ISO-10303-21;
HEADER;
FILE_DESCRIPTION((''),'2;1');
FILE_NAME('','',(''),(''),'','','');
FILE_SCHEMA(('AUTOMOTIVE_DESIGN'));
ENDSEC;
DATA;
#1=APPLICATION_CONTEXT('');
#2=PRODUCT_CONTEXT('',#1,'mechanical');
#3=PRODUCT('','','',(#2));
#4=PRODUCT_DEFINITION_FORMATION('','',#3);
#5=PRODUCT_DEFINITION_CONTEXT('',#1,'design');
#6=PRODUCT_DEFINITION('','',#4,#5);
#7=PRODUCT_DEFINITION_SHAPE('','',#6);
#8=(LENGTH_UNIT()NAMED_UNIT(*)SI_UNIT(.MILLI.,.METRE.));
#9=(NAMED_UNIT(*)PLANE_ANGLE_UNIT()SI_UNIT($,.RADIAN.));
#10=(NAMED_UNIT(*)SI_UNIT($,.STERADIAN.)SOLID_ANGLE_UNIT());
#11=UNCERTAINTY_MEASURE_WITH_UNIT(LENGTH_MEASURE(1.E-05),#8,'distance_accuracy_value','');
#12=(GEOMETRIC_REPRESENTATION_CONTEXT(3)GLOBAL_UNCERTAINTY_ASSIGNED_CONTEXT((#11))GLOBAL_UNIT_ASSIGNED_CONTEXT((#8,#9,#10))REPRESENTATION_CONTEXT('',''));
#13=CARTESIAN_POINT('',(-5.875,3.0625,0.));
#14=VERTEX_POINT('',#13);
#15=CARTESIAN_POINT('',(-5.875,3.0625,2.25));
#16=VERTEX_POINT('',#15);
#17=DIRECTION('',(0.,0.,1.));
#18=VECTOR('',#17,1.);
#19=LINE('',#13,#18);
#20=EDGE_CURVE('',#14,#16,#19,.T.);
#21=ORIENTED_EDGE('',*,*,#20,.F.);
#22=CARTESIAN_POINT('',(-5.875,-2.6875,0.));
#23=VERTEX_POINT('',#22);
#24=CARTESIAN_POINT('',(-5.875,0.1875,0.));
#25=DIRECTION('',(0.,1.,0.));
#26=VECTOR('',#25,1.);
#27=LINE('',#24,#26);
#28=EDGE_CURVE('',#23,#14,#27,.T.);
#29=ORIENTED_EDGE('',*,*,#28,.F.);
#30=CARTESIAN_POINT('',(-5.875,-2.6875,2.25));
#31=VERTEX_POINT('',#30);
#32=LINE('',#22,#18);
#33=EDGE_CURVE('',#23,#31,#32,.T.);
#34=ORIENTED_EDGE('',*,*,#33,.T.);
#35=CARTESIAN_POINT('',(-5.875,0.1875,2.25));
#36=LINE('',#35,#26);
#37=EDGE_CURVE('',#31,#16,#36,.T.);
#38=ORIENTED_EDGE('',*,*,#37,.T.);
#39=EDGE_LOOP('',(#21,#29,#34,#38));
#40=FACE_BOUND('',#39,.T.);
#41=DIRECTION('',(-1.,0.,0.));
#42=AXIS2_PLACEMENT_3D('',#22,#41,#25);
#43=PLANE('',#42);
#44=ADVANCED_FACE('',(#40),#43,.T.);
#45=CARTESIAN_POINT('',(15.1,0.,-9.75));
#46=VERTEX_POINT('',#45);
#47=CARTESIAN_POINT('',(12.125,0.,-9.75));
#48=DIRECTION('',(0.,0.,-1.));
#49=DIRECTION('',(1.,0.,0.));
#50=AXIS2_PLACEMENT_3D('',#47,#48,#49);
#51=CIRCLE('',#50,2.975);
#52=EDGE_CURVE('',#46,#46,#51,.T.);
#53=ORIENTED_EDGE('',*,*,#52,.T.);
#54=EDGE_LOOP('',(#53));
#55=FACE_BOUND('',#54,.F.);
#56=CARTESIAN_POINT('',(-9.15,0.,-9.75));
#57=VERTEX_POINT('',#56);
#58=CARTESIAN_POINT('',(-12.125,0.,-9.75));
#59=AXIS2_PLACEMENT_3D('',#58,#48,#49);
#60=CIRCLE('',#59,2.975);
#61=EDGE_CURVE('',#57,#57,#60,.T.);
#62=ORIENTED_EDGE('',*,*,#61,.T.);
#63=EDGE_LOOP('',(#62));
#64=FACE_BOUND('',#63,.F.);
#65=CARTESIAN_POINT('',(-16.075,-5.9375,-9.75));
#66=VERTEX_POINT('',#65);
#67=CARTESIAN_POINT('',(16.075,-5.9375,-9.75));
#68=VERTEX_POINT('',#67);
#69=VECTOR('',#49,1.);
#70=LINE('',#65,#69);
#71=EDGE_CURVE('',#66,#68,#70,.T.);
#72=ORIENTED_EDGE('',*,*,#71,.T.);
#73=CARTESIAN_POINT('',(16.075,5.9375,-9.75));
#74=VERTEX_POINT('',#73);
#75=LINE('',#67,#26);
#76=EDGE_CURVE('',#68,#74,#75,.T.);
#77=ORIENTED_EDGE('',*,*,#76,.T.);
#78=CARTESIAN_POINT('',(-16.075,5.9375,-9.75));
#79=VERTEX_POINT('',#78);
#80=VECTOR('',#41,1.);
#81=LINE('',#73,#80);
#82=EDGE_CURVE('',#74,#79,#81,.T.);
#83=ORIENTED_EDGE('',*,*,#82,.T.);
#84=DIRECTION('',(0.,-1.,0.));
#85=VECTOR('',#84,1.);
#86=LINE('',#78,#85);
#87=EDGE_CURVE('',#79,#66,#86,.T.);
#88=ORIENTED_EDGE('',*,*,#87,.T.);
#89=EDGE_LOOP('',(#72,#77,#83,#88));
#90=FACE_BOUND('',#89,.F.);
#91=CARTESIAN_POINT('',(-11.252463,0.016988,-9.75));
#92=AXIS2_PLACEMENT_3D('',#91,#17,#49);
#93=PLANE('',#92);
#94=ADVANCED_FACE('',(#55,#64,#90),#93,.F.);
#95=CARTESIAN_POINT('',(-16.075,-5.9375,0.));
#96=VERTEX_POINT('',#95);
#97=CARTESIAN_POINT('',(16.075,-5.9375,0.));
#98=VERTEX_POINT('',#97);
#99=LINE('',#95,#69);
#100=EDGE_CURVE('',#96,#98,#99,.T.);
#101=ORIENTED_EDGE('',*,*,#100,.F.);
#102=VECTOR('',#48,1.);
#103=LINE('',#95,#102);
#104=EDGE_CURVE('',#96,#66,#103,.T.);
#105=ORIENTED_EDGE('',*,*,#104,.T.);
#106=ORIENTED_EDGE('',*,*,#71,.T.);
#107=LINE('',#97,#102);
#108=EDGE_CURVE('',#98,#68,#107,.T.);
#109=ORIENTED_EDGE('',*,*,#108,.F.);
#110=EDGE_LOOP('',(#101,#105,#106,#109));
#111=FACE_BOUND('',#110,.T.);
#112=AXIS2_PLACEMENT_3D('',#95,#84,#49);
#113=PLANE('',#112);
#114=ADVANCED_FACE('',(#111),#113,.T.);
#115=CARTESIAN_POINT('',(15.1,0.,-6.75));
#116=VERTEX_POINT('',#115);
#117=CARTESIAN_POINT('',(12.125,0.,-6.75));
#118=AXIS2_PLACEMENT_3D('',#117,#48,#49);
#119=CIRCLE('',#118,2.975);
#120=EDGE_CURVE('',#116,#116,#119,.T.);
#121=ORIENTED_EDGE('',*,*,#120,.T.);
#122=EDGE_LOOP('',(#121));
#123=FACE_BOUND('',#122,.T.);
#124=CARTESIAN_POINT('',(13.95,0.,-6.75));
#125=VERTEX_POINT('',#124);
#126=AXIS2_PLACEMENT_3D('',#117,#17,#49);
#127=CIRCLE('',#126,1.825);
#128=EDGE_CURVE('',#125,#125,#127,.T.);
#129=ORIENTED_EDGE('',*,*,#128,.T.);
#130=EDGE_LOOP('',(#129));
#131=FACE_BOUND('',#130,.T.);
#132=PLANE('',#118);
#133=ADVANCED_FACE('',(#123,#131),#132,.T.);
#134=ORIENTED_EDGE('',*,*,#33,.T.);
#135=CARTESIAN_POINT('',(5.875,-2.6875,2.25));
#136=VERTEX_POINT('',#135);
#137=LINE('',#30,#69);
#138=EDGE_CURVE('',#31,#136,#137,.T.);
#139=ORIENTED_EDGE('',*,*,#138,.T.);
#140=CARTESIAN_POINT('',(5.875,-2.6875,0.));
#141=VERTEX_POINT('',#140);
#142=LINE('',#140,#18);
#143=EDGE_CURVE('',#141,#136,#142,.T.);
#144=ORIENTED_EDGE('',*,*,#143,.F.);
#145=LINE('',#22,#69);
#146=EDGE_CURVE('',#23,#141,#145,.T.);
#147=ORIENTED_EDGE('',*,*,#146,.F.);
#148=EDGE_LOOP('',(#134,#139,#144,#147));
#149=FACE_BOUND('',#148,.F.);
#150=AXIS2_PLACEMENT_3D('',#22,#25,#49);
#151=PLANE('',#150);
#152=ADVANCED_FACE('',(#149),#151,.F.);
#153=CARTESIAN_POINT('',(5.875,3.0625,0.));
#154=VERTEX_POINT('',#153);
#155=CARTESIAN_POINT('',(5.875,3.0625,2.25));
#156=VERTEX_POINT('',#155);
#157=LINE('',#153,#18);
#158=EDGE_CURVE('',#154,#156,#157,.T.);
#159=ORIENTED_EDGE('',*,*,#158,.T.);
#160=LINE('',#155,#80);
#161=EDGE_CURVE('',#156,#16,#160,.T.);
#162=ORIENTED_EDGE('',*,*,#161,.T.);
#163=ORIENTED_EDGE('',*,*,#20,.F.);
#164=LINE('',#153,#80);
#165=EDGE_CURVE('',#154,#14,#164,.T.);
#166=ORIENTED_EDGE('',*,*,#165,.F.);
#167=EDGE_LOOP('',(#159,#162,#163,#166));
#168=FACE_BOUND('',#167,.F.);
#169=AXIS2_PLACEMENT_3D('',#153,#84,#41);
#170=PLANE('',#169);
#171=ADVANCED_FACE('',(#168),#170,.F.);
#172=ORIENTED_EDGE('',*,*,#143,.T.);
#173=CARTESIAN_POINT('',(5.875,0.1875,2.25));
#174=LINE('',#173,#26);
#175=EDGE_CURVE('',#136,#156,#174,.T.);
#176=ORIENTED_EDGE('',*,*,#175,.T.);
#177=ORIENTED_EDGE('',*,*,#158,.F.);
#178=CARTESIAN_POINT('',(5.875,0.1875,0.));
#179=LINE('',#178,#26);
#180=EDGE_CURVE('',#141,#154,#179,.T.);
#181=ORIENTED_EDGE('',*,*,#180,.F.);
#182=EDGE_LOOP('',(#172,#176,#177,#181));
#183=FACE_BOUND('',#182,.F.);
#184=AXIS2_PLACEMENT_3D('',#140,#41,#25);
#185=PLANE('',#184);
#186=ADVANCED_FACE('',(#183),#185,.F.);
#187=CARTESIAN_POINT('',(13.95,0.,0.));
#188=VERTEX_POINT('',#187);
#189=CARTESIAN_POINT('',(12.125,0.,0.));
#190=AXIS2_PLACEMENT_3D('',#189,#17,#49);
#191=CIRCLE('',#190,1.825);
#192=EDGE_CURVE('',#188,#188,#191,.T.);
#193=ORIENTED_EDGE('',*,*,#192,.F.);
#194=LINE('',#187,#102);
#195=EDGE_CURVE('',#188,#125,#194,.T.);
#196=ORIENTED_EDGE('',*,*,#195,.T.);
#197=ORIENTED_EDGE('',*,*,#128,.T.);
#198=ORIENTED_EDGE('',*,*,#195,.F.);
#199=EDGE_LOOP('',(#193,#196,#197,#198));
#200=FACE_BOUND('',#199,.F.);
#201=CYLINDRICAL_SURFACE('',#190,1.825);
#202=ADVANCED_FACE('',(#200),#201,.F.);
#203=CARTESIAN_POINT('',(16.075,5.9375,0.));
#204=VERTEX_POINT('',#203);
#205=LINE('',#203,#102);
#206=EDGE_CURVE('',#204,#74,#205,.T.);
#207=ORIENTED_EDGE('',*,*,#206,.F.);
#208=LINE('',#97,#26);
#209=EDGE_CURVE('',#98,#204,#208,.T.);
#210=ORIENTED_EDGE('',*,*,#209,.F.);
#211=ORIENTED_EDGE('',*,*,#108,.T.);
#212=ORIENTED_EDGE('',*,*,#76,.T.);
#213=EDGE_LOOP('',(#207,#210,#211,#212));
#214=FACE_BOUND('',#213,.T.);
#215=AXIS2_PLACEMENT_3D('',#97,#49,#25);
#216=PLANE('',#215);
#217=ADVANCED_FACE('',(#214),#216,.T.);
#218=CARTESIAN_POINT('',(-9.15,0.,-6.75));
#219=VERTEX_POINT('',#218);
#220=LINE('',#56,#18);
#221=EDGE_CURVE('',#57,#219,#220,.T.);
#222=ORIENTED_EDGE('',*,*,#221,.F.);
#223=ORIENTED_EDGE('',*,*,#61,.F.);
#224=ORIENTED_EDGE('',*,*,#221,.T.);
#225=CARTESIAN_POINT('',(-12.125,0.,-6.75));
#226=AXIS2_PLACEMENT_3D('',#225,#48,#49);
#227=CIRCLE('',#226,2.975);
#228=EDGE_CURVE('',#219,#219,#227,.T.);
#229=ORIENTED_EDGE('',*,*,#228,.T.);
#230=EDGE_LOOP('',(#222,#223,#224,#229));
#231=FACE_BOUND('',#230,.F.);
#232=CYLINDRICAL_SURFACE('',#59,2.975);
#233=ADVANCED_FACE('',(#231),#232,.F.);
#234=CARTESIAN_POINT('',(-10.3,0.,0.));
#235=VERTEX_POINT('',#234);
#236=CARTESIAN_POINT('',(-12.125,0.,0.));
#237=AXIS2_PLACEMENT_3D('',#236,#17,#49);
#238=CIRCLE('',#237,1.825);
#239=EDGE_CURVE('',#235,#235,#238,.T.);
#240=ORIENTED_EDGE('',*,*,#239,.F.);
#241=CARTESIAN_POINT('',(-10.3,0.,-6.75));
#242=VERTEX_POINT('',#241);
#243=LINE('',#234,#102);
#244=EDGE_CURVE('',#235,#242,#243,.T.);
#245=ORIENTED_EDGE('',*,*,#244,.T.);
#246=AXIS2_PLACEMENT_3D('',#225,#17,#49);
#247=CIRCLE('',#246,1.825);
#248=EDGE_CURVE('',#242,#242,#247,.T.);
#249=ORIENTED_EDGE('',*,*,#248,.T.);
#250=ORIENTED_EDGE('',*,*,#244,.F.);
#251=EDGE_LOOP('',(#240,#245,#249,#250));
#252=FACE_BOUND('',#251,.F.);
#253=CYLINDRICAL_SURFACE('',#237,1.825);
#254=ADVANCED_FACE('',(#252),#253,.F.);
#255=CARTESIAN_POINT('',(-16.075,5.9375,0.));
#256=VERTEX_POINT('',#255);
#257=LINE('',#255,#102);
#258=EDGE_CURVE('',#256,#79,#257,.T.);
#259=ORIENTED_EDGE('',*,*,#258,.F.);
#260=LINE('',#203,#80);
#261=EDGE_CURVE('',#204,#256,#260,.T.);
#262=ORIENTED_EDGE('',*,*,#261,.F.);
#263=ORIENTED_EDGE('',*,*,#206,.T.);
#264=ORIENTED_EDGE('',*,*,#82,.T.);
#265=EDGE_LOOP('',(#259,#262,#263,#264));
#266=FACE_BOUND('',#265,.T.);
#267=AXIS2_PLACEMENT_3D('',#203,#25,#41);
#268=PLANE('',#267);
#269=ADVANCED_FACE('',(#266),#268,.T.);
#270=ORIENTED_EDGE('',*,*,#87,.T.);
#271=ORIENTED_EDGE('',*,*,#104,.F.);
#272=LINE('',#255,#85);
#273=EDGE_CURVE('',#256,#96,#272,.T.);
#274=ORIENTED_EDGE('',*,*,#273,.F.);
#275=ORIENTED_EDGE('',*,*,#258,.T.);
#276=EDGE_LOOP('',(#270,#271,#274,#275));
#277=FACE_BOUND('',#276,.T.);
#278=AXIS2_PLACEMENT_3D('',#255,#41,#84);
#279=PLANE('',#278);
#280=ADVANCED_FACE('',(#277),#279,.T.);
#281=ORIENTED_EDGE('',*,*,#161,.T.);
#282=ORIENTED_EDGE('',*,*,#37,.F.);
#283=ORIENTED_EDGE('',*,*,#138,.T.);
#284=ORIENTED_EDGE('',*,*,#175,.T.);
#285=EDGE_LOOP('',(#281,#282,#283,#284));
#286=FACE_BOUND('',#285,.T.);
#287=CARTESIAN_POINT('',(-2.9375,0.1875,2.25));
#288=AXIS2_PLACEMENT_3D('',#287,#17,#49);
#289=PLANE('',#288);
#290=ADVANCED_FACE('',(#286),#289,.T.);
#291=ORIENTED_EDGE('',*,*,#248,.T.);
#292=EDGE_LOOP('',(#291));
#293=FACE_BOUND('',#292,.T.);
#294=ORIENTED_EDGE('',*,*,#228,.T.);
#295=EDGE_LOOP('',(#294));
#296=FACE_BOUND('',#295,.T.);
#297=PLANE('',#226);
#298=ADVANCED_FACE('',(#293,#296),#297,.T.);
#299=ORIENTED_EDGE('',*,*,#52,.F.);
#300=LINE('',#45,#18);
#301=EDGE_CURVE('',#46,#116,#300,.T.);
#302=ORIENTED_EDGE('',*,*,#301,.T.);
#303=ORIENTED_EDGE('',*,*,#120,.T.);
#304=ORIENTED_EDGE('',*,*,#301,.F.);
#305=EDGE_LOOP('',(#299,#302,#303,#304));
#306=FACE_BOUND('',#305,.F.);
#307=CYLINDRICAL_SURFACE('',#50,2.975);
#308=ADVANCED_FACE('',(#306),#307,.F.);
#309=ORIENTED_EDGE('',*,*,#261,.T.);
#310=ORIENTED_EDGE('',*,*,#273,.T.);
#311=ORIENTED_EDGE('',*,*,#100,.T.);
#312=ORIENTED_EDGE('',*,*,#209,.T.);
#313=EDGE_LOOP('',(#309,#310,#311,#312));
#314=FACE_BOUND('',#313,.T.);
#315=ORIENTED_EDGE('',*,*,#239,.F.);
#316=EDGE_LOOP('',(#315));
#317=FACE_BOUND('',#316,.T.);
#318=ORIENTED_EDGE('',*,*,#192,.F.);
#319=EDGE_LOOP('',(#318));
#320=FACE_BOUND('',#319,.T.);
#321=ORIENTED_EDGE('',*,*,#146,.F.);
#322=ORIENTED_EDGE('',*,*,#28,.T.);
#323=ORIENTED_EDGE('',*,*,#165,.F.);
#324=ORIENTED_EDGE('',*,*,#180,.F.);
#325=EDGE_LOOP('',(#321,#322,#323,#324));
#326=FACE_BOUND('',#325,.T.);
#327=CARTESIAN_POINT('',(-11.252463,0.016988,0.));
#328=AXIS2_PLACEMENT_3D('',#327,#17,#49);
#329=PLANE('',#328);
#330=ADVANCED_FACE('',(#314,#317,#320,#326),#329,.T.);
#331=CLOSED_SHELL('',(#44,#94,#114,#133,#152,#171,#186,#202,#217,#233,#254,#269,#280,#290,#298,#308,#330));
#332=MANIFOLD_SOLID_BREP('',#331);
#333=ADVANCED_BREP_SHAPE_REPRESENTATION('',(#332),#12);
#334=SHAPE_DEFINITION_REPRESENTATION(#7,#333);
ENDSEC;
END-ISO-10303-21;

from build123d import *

# Parameters (mm, degrees)
F1_R     = 1.825
F1_W     = 5.875
F1_H     = 5.75
F2_DEPTH = 9.75
F3_DEPTH = 2.25
F4_R     = 2.975
F4_R_2   = 1.825
F5_DEPTH = 3


with BuildPart() as f2:
    # F1 (on Top) → F2 (new body)
    with BuildSketch(Plane.XY):
        Polygon((-7.875, 3.0625), (-7.875, 5.9375), (-16.075, 5.9375), (-16.075, -5.9375), (-7.875, -5.9375), (-7.875, -2.6875), (-5.875, -2.6875), (-5.875, 3.0625), align=None)
        with Locations((-12.125, 0)):
            Circle(F1_R, mode=Mode.SUBTRACT)
        with Locations((-2.9375, 0.1875)):
            Rectangle(F1_W, F1_H)
        Polygon((-7.875, -5.9375), (0, -5.9375), (0, -2.6875), (-5.875, -2.6875), (-7.875, -2.6875), align=None)
        Polygon((0, -5.9375), (7.875, -5.9375), (7.875, -2.6875), (5.875, -2.6875), (0, -2.6875), align=None)
        Polygon((0, 3.0625), (0, 5.9375), (-7.875, 5.9375), (-7.875, 3.0625), (-5.875, 3.0625), align=None)
        Polygon((7.875, 3.0625), (7.875, 5.9375), (0, 5.9375), (0, 3.0625), (5.875, 3.0625), align=None)
        with Locations((2.9375, 0.1875)):
            Rectangle(F1_W, F1_H)
        Polygon((16.075, -5.9375), (16.075, 5.9375), (7.875, 5.9375), (7.875, 3.0625), (5.875, 3.0625), (5.875, -2.6875), (7.875, -2.6875), (7.875, -5.9375), align=None)
        with Locations((12.125, 0)):
            Circle(F1_R, mode=Mode.SUBTRACT)
    extrude(amount=-F2_DEPTH)

    # F1 (on Top) → F3 (join)
    with BuildSketch(Plane.XY):
        with Locations((-2.9375, 0.1875)):
            Rectangle(F1_W, F1_H)
        with Locations((2.9375, 0.1875)):
            Rectangle(F1_W, F1_H)
    extrude(amount=F3_DEPTH)

    # F4 (on face) → F5 (cut)
    with BuildSketch(Plane(origin=(0, 0, -9.75), x_dir=(1, 0, 0), z_dir=(0, 0, -1))):
        with Locations((12.125, 0)):
            Circle(F4_R)
        with Locations((12.125, 0)):
            Circle(F4_R_2, mode=Mode.SUBTRACT)
        with Locations((-12.125, 0)):
            Circle(F4_R)
        with Locations((-12.125, 0)):
            Circle(F4_R_2, mode=Mode.SUBTRACT)
        with Locations((12.125, 0)):
            Circle(F4_R_2)
        with Locations((-12.125, 0)):
            Circle(F4_R_2)
    extrude(amount=-F5_DEPTH, mode=Mode.SUBTRACT)


solid = f2.part
